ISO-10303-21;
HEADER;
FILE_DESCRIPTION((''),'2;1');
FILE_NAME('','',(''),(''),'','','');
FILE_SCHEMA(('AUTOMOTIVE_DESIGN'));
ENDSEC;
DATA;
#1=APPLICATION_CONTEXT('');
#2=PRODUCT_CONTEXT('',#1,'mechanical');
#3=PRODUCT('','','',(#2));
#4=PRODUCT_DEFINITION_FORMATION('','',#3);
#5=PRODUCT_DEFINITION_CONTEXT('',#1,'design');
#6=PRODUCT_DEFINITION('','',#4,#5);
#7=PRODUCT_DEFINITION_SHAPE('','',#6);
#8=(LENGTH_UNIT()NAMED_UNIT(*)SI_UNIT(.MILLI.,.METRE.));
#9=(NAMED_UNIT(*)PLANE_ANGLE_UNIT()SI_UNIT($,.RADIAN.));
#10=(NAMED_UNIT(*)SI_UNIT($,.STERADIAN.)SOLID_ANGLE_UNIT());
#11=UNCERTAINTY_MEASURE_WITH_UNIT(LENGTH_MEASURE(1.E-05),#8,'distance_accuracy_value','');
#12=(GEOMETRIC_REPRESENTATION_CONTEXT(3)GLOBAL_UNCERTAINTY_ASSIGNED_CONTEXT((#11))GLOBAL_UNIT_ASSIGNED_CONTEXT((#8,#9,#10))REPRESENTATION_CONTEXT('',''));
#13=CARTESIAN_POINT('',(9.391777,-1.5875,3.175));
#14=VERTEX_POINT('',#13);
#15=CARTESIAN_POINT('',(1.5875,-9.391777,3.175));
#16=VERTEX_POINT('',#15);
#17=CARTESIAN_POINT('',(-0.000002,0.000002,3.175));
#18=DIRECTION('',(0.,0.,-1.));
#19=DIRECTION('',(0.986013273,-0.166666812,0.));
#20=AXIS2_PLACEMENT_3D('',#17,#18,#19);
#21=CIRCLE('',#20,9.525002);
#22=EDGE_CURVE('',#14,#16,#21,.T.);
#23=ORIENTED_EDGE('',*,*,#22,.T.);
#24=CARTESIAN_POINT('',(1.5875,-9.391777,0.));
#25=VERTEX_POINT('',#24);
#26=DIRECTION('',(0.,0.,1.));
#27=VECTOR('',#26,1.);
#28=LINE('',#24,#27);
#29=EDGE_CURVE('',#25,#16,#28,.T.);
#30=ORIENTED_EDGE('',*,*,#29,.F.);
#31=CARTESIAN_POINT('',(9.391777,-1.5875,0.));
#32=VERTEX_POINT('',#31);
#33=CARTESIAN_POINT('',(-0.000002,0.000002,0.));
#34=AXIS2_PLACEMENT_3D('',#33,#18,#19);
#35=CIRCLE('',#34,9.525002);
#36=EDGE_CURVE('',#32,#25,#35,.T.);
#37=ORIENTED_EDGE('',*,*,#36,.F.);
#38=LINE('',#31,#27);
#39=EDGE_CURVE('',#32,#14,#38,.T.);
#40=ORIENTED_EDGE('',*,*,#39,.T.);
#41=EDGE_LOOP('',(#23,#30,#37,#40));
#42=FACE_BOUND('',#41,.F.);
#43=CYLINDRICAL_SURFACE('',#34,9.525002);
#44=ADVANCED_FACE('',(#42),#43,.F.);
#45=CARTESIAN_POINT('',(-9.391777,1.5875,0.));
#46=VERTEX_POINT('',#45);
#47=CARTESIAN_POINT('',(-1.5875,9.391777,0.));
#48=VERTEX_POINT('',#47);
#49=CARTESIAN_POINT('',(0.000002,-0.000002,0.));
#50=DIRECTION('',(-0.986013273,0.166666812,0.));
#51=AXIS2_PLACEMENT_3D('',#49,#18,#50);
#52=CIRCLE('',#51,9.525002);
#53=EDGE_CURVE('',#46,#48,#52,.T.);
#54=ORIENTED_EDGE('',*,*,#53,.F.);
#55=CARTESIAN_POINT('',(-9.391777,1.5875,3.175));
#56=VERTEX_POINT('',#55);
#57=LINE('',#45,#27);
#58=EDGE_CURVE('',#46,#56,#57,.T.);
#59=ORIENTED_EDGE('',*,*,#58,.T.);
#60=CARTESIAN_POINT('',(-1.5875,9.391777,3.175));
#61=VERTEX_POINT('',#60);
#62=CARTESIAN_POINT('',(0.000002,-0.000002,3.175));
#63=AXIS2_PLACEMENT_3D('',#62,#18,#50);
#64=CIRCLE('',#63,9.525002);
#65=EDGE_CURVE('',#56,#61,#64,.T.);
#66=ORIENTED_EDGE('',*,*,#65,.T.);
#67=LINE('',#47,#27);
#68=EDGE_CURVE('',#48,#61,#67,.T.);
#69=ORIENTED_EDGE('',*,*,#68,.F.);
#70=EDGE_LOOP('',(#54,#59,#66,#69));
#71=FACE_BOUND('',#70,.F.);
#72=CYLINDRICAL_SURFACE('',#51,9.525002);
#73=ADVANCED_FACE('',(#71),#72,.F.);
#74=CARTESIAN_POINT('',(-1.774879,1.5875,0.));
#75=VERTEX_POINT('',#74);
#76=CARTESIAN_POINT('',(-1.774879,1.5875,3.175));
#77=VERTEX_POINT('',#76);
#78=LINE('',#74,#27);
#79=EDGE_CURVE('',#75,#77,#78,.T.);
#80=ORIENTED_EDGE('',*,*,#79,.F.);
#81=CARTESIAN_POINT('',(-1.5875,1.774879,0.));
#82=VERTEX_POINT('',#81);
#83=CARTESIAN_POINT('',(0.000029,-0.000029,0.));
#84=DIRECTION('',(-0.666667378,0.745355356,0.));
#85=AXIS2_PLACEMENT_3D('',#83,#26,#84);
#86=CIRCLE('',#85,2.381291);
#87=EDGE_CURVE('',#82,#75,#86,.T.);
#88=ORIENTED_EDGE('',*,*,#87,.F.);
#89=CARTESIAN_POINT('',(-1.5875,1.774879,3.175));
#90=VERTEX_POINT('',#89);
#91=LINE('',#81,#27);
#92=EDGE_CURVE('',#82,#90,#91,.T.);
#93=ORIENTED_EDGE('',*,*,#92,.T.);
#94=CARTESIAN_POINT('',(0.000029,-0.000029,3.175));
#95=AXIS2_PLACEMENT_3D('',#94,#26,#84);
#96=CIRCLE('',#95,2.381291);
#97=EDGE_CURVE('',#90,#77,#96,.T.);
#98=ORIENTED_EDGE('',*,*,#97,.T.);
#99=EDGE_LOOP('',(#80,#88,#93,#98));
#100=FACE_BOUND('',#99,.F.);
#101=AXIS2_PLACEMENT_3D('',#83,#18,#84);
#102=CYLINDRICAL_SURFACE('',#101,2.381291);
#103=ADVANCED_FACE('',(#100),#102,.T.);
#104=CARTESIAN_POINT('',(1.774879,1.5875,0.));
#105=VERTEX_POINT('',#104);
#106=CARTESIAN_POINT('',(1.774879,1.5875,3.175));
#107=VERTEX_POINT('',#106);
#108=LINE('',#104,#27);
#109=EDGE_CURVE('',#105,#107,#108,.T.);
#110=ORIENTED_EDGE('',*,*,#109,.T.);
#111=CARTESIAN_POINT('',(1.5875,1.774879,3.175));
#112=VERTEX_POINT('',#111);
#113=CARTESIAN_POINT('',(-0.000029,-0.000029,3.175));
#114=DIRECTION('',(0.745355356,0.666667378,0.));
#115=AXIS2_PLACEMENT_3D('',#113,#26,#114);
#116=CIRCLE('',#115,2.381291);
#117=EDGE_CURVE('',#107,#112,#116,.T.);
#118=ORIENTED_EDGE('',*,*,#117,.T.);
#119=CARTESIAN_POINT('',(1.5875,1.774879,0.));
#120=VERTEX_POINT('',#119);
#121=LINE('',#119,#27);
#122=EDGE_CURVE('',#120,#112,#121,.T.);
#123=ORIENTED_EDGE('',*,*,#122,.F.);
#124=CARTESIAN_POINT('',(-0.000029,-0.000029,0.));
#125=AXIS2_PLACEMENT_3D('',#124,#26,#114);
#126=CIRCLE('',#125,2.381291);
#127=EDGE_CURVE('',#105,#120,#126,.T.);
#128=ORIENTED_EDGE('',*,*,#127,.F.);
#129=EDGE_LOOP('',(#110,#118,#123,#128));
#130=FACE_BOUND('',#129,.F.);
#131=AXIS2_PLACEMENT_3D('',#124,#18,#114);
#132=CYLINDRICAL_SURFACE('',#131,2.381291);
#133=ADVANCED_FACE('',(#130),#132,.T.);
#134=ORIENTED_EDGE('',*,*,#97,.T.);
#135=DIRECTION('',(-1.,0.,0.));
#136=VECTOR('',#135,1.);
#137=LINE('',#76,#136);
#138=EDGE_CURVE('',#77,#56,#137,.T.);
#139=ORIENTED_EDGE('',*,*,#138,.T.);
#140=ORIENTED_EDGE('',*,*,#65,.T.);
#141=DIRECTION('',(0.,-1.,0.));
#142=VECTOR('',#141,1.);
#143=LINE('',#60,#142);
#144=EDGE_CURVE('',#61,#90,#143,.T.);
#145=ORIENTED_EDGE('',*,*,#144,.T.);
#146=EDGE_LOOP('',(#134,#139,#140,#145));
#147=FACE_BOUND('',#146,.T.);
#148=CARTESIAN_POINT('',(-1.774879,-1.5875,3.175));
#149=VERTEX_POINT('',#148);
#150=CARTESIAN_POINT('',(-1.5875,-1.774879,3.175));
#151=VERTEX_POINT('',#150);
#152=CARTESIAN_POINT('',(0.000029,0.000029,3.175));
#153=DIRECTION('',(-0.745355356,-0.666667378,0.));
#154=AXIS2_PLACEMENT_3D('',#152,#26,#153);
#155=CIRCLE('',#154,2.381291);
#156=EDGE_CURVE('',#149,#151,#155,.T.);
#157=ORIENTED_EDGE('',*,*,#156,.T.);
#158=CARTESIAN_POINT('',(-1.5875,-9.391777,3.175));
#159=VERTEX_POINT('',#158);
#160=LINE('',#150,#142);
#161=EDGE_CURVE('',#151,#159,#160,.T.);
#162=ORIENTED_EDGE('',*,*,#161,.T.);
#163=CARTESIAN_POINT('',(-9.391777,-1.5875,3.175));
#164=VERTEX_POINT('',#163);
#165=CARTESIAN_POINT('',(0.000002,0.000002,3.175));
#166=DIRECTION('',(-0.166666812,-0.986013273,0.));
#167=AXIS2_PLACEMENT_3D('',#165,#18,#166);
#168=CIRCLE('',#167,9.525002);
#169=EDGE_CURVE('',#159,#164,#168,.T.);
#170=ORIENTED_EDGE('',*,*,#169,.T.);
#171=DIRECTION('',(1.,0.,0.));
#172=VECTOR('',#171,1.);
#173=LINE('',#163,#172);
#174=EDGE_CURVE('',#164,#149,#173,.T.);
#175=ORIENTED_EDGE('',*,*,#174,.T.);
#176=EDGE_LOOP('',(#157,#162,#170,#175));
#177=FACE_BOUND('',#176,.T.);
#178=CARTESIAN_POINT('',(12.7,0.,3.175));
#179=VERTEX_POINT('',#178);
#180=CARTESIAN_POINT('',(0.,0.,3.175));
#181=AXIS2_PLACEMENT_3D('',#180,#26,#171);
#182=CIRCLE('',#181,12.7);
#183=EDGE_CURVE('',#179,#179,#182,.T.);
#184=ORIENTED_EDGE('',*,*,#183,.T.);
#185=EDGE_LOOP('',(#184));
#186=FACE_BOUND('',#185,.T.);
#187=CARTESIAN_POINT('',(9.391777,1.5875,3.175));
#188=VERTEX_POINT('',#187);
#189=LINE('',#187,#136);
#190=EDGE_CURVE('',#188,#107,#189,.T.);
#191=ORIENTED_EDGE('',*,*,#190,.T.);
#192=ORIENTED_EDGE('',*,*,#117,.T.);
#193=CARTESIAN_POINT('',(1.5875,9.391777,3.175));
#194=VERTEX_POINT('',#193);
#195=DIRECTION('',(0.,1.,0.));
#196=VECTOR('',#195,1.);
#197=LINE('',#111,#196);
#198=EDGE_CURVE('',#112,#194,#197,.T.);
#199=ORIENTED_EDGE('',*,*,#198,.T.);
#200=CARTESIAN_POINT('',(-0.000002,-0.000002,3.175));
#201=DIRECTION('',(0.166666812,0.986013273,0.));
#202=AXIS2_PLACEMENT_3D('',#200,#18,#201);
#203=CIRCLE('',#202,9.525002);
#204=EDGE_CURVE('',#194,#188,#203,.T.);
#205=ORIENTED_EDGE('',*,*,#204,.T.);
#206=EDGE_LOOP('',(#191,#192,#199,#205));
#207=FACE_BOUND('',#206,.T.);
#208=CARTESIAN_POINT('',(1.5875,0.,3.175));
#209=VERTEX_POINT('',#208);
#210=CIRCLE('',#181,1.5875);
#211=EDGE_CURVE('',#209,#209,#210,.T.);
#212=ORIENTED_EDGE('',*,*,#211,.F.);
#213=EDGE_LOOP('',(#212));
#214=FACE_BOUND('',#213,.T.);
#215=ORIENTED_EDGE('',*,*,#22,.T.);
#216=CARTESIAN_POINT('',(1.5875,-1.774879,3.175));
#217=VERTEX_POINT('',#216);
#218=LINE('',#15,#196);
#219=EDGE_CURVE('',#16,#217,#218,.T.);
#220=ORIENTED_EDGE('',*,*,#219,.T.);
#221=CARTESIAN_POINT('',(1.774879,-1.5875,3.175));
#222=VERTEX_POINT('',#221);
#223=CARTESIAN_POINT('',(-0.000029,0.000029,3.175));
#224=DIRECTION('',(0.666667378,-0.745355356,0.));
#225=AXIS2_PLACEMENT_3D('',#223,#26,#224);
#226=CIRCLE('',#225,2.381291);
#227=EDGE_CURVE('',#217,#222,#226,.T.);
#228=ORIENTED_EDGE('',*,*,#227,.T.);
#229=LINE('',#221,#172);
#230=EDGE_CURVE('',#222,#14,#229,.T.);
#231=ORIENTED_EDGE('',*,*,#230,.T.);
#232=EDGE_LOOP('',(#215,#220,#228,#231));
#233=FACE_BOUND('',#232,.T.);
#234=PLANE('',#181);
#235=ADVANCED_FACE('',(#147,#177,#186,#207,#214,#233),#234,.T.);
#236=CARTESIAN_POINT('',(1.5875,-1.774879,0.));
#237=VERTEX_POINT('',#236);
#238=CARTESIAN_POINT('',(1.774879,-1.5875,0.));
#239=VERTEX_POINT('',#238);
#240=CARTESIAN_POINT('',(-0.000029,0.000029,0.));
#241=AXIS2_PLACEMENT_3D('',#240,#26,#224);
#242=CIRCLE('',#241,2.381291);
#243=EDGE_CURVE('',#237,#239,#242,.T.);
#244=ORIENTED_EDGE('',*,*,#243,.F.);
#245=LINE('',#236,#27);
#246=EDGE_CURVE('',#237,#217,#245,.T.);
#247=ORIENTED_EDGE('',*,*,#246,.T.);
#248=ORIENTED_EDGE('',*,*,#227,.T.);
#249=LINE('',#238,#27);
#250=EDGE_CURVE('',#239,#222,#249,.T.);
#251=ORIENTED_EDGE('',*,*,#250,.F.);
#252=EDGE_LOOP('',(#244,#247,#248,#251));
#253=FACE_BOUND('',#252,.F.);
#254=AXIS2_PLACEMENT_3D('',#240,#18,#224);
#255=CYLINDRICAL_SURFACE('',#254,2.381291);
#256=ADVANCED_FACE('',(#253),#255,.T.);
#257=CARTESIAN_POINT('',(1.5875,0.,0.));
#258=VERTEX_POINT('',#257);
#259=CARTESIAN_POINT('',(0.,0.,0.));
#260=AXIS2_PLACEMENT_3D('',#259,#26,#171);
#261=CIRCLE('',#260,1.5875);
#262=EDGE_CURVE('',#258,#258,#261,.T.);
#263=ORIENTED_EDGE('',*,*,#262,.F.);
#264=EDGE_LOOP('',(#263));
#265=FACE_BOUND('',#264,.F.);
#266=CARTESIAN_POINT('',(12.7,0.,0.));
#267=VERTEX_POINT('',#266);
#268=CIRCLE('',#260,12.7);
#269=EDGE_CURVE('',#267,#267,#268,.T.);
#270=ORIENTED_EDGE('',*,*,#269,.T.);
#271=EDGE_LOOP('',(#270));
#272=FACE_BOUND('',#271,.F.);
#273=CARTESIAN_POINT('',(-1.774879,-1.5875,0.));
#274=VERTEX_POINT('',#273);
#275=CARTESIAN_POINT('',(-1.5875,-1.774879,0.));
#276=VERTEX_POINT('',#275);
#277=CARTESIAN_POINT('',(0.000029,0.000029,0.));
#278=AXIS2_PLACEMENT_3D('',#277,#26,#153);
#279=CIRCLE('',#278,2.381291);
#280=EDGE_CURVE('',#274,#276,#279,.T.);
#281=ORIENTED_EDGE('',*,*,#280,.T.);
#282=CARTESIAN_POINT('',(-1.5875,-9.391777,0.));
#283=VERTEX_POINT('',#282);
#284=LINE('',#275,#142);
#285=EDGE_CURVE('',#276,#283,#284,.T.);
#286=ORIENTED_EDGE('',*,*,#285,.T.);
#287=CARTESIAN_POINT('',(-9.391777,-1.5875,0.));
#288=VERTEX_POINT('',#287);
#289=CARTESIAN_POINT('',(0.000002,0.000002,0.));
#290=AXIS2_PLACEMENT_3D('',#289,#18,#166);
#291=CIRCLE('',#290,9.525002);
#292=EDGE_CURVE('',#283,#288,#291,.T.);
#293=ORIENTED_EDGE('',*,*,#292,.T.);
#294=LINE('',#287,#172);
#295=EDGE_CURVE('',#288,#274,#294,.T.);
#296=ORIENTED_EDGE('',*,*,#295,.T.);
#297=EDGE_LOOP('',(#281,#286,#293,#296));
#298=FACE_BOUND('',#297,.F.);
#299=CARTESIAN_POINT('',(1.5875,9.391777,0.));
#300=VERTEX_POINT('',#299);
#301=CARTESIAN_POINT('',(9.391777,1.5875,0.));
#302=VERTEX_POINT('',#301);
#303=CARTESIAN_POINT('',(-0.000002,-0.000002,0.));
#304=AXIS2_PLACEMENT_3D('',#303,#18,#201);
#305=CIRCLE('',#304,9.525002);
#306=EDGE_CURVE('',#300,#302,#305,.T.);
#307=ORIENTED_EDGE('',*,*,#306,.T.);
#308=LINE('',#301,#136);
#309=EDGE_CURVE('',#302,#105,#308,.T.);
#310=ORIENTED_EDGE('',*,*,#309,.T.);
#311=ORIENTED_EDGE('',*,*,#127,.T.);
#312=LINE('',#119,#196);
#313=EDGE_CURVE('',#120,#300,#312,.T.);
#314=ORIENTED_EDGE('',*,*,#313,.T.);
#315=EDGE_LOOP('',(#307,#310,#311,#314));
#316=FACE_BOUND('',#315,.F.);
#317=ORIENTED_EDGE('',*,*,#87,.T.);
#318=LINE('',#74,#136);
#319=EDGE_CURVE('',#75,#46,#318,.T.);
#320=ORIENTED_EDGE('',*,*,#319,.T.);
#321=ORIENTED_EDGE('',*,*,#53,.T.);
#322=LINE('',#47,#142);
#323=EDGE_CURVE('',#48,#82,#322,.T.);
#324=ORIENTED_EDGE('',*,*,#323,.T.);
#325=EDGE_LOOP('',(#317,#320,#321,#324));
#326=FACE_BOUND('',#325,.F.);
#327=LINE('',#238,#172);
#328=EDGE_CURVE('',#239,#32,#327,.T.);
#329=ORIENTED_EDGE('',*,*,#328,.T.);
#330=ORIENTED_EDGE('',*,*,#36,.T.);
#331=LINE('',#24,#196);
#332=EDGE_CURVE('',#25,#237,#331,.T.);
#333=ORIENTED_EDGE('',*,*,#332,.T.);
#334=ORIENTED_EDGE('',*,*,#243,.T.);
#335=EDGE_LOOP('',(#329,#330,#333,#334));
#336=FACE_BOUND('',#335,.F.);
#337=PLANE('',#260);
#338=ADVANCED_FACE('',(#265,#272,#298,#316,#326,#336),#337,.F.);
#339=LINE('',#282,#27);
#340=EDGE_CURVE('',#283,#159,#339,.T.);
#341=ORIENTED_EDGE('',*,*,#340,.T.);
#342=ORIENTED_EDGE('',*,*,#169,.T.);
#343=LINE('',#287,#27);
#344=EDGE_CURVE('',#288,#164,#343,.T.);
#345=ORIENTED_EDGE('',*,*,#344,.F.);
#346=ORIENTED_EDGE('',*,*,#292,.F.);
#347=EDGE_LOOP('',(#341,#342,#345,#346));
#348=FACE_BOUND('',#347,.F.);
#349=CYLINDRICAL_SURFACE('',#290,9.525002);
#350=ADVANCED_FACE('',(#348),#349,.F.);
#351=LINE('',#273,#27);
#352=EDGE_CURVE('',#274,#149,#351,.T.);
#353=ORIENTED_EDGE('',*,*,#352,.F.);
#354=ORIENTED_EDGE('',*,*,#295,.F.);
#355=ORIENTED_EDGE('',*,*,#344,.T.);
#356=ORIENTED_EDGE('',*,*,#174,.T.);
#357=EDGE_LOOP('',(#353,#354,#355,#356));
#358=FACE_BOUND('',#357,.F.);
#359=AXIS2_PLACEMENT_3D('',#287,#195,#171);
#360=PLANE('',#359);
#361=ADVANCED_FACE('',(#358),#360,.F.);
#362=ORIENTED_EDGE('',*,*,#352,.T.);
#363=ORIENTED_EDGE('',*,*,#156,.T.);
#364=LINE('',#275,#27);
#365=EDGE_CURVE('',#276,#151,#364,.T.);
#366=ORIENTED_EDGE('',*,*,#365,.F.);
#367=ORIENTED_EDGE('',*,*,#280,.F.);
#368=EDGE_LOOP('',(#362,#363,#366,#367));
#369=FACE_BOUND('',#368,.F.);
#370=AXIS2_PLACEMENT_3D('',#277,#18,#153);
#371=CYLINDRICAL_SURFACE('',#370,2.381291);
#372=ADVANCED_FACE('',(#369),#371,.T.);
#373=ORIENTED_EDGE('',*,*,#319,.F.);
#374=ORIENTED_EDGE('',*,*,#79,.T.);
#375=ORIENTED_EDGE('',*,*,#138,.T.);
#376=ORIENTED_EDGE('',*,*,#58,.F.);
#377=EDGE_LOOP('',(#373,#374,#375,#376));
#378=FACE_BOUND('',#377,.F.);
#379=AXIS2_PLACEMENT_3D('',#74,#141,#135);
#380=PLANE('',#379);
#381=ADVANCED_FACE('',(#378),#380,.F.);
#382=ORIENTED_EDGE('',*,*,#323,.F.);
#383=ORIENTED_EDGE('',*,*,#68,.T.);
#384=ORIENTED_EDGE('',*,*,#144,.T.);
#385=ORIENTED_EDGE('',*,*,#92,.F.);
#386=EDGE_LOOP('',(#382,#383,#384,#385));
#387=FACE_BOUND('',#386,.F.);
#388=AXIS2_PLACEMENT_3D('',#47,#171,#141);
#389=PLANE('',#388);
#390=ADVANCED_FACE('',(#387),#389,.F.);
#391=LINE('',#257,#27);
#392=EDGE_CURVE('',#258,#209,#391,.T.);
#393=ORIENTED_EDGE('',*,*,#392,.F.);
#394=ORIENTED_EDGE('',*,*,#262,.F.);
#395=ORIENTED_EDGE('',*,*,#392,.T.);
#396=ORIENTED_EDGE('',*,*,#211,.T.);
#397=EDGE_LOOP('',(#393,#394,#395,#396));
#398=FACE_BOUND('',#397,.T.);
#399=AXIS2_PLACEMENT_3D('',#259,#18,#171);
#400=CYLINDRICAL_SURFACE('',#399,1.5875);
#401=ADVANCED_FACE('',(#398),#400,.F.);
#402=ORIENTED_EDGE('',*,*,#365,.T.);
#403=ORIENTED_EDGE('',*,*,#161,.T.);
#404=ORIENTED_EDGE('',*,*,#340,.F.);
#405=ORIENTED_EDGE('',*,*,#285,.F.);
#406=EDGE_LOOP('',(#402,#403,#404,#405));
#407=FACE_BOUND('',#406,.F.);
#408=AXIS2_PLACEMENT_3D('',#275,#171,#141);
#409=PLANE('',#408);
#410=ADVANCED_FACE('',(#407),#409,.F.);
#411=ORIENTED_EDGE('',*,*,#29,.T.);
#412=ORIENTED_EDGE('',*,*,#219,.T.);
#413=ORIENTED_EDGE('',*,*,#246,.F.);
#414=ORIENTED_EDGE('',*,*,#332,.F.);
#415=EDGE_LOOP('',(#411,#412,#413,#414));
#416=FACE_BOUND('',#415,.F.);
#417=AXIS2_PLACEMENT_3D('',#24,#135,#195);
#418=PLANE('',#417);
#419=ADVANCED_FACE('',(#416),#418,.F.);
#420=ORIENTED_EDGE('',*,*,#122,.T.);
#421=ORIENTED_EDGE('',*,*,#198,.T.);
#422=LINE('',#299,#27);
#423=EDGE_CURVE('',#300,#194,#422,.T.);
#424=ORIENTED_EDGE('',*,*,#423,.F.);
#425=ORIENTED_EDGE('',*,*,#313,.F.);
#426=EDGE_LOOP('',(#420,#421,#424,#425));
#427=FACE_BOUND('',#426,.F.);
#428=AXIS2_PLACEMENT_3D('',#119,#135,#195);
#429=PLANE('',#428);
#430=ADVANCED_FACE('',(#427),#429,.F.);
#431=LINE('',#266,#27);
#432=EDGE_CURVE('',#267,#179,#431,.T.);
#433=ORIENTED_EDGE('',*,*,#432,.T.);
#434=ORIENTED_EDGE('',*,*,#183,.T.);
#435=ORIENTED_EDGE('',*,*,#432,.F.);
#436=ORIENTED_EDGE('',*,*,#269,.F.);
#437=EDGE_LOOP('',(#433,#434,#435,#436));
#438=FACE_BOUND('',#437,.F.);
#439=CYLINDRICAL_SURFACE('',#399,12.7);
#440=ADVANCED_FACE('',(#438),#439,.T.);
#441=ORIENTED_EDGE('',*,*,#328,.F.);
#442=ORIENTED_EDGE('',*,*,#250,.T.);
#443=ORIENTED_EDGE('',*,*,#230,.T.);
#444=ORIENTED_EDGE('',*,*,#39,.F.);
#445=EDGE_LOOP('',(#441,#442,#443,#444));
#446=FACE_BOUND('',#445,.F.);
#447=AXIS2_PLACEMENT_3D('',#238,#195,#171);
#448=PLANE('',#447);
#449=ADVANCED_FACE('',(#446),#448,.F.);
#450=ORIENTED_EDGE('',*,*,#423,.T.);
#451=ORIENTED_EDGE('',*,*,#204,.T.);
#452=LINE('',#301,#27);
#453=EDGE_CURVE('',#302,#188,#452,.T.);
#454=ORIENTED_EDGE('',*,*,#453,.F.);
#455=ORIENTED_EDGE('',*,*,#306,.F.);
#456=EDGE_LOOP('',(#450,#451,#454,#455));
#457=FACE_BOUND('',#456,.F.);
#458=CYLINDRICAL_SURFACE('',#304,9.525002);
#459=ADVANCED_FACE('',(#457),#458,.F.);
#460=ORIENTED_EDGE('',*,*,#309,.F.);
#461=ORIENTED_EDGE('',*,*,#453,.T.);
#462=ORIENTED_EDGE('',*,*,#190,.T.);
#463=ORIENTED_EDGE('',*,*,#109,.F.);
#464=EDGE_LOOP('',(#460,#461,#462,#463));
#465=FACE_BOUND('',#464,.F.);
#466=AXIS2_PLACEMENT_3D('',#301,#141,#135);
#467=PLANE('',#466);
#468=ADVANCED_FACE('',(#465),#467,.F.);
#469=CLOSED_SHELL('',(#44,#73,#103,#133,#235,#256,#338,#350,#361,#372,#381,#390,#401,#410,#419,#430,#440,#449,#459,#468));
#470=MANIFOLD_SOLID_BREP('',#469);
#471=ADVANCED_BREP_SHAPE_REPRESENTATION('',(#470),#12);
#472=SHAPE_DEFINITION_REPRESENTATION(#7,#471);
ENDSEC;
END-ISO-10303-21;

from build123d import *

# Parameters (mm, degrees)
F0_R     = 12.7
F0_R_2   = 1.5875
F1_DEPTH = 3.175


with BuildPart() as f1:
    # F0 (on Top) → F1 (new body)
    with BuildSketch(Plane.XY):
        Circle(F0_R)
        with BuildLine():
            ThreePointArc((-1.5875, -9.391777), (-6.735192, -6.735192), (-9.391777, -1.5875))
            Line((-9.391777, -1.5875), (-1.774879, -1.5875))
            ThreePointArc((-1.774879, -1.5875), (-1.683798, -1.683798), (-1.5875, -1.774879))
            Line((-1.5875, -1.774879), (-1.5875, -9.391777))
        make_face(mode=Mode.SUBTRACT)
        Circle(F0_R_2, mode=Mode.SUBTRACT)
        with BuildLine():
            Line((1.5875, -9.391777), (1.5875, -1.774879))
            ThreePointArc((1.5875, -1.774879), (1.683798, -1.683798), (1.774879, -1.5875))
            Line((1.774879, -1.5875), (9.391777, -1.5875))
            ThreePointArc((9.391777, -1.5875), (6.735192, -6.735192), (1.5875, -9.391777))
        make_face(mode=Mode.SUBTRACT)
        with BuildLine():
            Line((-1.5875, 9.391777), (-1.5875, 1.774879))
            ThreePointArc((-1.5875, 1.774879), (-1.683798, 1.683798), (-1.774879, 1.5875))
            Line((-1.774879, 1.5875), (-9.391777, 1.5875))
            ThreePointArc((-9.391777, 1.5875), (-6.735192, 6.735192), (-1.5875, 9.391777))
        make_face(mode=Mode.SUBTRACT)
        with BuildLine():
            ThreePointArc((1.774879, 1.5875), (1.683798, 1.683798), (1.5875, 1.774879))
            Line((1.5875, 1.774879), (1.5875, 9.391777))
            ThreePointArc((1.5875, 9.391777), (6.735192, 6.735192), (9.391777, 1.5875))
            Line((9.391777, 1.5875), (1.774879, 1.5875))
        make_face(mode=Mode.SUBTRACT)
    extrude(amount=F1_DEPTH)


solid = f1.part
